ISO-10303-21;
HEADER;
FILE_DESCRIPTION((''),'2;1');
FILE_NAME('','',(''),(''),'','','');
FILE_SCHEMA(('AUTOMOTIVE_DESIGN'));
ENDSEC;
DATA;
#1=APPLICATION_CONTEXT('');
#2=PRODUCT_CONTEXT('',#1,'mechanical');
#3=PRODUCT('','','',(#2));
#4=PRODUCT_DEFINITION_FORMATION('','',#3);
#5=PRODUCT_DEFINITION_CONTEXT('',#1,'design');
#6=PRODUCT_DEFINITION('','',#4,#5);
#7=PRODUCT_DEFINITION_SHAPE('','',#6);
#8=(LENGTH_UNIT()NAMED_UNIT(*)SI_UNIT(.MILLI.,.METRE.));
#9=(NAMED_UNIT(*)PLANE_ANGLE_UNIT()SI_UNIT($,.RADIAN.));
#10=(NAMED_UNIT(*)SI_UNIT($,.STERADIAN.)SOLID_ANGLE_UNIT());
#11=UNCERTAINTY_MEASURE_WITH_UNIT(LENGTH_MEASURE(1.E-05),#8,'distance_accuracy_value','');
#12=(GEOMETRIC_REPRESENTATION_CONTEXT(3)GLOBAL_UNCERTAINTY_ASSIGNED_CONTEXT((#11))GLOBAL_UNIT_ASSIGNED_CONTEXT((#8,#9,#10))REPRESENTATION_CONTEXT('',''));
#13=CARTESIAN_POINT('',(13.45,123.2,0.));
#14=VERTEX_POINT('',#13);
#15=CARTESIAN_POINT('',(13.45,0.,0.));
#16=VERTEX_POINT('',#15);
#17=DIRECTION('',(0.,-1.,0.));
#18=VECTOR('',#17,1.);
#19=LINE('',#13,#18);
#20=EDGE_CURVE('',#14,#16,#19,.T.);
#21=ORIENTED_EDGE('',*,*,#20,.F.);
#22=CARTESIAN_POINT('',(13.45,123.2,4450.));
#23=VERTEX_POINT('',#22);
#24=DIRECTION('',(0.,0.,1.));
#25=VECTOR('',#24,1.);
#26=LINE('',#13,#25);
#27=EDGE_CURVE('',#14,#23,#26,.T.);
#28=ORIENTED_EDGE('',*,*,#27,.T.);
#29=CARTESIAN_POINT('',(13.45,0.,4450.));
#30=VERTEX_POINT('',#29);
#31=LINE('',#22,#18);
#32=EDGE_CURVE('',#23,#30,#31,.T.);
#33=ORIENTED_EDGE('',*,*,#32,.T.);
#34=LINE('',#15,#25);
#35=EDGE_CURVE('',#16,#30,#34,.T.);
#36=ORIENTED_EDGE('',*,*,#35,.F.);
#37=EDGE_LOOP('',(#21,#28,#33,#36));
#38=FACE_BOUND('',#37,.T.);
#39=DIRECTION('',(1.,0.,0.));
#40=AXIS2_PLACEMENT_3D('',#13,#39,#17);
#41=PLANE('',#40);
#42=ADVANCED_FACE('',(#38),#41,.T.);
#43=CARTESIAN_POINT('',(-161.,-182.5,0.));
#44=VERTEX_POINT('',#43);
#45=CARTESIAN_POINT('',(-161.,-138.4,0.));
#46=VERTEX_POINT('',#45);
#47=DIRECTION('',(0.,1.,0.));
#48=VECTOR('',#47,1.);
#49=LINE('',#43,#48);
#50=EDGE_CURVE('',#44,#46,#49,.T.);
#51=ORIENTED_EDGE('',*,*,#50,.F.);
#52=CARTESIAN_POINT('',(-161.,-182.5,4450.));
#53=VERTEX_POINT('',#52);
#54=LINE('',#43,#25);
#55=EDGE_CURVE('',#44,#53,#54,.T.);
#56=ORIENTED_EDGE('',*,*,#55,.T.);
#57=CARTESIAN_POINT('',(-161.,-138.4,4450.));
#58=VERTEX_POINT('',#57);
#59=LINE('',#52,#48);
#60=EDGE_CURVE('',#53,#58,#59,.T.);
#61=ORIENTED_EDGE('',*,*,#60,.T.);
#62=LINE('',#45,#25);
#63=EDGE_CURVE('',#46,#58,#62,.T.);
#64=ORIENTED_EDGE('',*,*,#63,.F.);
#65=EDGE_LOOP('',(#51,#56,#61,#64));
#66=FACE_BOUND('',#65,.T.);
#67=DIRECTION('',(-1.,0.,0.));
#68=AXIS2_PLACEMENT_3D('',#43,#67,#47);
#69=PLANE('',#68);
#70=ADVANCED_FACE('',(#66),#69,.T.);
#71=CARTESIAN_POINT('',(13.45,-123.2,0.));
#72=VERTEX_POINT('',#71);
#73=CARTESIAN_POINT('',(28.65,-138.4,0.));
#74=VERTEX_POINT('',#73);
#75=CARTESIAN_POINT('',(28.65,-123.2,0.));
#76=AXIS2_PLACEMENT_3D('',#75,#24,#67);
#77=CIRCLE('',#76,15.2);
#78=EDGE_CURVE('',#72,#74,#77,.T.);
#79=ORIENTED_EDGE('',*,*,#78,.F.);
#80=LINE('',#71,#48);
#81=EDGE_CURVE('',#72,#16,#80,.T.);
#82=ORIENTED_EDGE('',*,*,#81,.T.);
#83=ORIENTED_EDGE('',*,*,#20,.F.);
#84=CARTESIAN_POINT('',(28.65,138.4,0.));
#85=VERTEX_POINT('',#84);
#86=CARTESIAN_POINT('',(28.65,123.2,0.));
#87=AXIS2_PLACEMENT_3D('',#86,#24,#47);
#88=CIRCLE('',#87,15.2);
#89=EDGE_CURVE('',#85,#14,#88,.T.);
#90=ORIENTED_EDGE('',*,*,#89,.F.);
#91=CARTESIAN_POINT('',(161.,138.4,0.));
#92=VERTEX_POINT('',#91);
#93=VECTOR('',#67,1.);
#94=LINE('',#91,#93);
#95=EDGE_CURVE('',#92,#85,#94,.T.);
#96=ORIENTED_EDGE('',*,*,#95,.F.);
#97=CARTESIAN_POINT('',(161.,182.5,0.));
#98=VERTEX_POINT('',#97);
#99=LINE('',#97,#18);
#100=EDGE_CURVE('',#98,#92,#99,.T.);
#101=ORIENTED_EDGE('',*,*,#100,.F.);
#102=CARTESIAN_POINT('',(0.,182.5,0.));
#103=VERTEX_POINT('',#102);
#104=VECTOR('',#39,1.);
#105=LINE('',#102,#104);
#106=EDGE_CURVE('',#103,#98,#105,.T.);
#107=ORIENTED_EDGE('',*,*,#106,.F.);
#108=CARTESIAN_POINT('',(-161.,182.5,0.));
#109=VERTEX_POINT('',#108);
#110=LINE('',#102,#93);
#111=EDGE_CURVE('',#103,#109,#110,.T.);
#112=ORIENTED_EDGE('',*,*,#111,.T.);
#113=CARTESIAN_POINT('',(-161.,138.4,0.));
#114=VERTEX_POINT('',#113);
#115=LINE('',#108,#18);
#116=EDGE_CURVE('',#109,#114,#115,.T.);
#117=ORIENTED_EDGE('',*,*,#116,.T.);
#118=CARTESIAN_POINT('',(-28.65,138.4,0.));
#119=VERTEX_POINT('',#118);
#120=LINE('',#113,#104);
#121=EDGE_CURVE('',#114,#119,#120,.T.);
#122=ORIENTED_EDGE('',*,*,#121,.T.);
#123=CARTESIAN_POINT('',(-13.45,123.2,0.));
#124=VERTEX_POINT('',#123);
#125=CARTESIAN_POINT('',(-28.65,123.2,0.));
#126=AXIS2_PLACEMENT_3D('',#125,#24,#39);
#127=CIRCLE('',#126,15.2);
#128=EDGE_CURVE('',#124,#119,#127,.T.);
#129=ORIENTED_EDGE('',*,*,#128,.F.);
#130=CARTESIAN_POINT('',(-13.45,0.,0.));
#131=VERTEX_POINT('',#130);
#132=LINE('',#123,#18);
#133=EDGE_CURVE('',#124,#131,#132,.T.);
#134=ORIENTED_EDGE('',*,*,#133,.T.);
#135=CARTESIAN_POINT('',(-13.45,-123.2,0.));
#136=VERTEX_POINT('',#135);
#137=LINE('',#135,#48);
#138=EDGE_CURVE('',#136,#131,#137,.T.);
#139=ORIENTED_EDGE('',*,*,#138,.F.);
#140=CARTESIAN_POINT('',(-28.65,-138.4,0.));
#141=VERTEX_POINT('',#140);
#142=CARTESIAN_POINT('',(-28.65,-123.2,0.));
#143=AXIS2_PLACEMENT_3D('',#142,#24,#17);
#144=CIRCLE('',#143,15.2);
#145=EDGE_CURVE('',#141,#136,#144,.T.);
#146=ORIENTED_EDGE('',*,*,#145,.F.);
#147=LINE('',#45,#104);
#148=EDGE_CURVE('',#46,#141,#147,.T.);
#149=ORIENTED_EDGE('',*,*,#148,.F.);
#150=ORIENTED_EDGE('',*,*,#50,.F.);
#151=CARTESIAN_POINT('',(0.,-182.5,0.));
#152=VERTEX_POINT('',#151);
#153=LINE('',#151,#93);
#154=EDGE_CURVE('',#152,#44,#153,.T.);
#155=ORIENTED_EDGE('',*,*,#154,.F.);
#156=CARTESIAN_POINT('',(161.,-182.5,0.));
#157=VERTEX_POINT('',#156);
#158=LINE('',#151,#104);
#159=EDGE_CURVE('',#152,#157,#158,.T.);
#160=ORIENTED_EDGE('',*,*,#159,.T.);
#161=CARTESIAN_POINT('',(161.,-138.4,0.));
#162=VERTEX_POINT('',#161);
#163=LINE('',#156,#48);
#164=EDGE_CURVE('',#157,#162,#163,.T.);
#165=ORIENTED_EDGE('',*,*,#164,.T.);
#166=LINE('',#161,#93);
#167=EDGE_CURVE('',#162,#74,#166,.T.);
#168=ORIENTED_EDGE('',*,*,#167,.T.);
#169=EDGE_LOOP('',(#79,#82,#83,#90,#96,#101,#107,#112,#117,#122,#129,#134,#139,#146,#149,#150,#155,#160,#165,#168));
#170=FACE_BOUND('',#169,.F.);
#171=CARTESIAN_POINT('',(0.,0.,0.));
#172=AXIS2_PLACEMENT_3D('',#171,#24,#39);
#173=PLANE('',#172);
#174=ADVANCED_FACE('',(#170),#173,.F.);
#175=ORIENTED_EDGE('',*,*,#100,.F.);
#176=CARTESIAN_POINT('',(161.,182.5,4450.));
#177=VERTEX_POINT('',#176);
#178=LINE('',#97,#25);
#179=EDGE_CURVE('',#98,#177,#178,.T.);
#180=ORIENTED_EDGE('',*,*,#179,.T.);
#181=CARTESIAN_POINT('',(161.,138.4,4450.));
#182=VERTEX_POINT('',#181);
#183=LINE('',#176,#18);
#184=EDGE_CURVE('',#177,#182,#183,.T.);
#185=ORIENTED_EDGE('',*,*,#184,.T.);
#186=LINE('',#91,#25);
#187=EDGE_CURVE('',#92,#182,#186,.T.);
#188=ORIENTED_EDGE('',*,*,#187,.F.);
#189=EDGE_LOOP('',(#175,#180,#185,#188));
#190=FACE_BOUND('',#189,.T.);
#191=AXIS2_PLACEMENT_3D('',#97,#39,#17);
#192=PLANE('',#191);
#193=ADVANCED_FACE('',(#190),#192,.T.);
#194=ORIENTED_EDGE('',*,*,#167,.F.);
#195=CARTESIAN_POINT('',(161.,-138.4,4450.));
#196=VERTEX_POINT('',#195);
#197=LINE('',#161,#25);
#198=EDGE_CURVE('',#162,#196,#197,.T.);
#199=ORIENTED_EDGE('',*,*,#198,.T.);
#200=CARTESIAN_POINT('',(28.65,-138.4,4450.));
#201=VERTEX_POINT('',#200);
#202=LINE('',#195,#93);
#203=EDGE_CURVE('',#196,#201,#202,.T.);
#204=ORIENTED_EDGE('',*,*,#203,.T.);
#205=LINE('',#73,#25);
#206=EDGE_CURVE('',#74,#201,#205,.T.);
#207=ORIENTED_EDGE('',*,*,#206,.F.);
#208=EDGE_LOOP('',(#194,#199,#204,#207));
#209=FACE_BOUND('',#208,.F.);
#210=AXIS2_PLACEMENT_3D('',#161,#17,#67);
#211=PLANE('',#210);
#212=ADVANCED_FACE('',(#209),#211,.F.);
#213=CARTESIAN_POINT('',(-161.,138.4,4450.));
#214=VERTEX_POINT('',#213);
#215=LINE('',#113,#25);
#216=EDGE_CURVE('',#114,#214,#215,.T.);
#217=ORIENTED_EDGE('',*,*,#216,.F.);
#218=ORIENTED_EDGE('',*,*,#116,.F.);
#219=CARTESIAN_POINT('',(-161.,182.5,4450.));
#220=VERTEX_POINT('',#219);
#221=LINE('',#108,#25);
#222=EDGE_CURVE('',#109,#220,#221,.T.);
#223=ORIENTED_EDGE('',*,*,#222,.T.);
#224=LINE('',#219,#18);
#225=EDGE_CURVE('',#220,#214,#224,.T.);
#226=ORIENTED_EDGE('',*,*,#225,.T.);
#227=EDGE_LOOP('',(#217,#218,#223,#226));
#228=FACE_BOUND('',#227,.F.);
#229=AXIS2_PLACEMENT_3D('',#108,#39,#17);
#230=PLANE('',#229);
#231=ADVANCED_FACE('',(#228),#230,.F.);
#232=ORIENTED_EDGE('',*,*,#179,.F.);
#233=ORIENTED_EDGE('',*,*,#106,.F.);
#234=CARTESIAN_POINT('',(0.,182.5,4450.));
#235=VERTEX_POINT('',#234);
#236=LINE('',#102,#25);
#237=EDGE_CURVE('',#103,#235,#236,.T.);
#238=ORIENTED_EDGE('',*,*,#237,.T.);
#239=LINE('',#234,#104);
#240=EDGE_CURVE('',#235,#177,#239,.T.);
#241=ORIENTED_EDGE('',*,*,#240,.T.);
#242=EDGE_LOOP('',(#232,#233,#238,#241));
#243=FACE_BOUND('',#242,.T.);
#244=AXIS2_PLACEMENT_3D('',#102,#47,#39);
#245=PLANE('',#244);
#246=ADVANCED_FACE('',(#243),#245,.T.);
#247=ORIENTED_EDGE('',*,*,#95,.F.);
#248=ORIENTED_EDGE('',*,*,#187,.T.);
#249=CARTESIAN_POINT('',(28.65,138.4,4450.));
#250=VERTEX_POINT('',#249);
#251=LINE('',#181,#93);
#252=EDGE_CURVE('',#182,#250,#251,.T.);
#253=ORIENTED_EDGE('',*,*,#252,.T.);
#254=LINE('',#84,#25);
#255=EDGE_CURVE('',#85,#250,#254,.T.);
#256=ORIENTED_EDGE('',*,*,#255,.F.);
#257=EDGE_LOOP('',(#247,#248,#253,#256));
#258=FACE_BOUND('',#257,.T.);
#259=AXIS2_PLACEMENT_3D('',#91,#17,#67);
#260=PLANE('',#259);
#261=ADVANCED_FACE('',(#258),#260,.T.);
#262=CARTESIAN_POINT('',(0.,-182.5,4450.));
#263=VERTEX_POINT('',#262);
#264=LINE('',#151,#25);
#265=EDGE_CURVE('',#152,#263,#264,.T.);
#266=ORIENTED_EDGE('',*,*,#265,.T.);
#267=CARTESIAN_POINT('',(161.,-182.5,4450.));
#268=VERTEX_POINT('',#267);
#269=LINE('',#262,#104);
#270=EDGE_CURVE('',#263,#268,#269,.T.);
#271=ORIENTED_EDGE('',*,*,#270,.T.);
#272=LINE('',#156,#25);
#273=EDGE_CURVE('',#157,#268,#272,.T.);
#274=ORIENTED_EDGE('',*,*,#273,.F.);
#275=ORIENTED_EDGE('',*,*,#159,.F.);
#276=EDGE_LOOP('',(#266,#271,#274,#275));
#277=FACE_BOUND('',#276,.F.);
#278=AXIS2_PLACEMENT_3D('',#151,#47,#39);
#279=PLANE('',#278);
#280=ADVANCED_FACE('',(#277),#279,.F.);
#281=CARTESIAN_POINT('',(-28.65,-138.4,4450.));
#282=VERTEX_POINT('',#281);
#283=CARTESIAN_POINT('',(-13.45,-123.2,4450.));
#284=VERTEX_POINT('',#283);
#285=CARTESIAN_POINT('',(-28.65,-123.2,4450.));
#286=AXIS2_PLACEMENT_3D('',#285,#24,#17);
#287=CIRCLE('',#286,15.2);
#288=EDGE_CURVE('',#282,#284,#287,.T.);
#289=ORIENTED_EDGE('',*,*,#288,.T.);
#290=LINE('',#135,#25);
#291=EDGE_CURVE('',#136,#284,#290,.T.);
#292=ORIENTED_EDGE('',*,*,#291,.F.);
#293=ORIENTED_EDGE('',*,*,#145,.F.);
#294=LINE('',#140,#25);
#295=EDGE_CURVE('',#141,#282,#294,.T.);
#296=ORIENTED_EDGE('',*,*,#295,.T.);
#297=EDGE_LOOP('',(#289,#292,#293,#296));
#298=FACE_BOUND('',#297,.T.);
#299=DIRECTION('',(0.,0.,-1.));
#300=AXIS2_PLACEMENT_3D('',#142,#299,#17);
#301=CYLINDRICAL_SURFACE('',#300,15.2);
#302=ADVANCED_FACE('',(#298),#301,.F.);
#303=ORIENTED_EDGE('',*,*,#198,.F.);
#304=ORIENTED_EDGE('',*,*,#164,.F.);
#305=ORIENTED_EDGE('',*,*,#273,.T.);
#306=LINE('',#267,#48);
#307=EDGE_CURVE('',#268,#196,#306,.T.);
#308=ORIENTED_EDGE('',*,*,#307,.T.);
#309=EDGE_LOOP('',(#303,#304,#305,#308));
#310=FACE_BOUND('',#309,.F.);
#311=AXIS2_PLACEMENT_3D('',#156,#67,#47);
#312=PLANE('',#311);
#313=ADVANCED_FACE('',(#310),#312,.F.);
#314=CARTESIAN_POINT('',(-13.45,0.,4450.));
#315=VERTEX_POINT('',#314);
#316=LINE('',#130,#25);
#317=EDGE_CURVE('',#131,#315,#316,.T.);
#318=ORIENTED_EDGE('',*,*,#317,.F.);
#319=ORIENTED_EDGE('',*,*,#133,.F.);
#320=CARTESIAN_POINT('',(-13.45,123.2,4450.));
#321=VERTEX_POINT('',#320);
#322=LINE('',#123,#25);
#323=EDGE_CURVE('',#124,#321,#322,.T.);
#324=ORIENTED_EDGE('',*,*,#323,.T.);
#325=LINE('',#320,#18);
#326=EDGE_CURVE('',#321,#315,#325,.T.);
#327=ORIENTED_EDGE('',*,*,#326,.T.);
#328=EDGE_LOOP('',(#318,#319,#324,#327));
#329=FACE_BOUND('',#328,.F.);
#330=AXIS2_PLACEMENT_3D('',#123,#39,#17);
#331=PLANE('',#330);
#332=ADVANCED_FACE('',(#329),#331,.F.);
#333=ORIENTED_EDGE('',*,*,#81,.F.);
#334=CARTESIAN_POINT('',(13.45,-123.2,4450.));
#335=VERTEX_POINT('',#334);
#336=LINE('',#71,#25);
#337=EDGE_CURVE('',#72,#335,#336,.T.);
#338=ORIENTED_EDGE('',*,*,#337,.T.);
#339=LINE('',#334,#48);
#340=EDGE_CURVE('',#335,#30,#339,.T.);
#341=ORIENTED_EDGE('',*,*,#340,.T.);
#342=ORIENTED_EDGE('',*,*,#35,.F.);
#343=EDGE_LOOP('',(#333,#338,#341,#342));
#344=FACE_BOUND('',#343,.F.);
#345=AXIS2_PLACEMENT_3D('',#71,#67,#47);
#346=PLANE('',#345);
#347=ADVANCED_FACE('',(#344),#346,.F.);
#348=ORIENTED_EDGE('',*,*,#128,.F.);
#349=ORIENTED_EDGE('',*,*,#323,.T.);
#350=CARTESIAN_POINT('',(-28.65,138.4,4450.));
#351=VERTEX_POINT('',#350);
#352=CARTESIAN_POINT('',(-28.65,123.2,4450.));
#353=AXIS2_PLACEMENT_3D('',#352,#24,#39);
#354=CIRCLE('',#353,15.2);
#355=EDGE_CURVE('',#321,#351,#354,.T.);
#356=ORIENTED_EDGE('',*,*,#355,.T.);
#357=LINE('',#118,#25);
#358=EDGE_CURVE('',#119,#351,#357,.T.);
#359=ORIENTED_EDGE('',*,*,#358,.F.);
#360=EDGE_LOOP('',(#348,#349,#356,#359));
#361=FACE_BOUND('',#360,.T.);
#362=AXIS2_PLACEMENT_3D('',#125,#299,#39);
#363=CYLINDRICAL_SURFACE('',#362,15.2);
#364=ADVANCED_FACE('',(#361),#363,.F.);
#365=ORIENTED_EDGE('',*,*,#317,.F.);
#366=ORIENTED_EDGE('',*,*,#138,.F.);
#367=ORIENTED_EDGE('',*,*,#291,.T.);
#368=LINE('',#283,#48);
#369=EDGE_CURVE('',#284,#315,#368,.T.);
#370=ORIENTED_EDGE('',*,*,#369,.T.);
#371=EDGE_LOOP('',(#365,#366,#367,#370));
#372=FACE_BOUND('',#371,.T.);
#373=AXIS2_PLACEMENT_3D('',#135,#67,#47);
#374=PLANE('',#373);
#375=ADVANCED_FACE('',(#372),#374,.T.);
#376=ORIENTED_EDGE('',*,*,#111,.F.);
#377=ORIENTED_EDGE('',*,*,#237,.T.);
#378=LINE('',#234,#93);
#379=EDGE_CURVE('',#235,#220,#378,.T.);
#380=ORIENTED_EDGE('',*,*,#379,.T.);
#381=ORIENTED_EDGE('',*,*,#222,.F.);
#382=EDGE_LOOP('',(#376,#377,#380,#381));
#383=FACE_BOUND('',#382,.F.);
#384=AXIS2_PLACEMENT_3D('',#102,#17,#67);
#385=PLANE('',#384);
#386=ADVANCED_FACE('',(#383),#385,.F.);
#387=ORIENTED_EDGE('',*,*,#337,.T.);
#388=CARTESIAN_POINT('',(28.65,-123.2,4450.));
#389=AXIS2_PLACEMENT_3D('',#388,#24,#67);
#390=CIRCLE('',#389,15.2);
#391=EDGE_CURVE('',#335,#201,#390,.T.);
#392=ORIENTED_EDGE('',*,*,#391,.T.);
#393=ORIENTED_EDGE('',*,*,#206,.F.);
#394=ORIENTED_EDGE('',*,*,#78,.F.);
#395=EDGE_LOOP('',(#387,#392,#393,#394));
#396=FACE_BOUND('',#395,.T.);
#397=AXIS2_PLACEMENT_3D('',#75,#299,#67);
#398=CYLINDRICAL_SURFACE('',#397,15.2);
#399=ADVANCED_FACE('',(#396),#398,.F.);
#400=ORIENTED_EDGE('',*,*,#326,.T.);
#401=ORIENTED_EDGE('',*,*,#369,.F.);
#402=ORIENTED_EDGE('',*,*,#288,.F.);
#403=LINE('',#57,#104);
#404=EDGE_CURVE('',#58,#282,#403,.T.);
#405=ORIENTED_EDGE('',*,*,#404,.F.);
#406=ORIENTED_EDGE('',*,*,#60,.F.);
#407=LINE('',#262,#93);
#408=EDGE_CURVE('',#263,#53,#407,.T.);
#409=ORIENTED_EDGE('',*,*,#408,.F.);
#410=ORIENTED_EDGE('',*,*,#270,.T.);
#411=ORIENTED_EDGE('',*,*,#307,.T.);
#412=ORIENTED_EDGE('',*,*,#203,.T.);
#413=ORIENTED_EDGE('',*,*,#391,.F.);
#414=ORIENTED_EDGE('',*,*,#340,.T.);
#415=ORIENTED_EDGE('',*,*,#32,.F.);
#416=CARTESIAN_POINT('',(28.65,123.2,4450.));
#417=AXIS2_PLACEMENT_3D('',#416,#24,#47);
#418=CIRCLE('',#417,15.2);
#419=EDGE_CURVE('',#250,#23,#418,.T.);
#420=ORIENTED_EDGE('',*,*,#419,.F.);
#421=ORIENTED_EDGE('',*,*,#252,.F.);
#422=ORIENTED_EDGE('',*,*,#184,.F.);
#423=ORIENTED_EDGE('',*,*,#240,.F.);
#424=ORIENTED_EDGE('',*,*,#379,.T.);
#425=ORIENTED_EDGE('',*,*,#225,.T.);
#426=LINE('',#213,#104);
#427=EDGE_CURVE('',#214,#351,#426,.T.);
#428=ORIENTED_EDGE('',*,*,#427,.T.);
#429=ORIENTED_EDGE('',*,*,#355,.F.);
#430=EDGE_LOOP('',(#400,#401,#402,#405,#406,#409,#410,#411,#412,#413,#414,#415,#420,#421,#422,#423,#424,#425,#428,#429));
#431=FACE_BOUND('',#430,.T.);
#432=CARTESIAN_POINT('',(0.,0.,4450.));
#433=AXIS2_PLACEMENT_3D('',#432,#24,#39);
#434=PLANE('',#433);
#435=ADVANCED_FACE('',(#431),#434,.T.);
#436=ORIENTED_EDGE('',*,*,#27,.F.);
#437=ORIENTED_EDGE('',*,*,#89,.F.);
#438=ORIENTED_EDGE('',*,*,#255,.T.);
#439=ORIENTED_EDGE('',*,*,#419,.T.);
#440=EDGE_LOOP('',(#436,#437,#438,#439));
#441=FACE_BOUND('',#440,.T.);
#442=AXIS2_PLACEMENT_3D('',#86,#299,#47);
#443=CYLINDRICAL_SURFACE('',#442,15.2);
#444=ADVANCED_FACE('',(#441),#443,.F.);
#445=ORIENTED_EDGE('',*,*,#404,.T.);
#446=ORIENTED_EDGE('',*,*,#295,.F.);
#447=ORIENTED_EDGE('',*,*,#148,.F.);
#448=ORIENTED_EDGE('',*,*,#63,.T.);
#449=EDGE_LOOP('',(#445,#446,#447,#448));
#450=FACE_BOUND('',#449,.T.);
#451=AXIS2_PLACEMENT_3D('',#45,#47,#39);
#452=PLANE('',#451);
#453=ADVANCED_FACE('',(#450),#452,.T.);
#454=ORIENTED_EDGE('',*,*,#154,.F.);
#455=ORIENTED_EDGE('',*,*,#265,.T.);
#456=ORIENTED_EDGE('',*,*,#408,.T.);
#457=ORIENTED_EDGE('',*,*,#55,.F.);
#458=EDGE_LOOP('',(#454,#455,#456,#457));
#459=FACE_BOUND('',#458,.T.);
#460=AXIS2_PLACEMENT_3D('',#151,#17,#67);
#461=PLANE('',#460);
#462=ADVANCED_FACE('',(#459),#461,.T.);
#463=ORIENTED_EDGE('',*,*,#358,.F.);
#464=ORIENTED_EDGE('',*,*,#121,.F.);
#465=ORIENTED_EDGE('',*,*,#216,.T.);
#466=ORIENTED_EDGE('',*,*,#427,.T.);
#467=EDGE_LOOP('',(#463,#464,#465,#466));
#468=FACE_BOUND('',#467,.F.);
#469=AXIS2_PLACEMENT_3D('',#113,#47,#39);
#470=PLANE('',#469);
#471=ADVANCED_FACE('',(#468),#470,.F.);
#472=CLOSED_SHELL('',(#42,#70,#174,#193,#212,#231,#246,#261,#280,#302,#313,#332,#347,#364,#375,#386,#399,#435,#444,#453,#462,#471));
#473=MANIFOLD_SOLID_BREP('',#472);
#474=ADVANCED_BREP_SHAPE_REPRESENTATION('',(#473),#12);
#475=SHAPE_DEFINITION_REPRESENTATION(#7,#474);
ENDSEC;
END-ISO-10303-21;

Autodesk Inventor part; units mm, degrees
ref_plane "YZ Plane" through (0, 0, 0) normal (1, 0, 0) x (0, 1, 0)
ref_plane "Start plane" through (0, 0, 0) normal (0, 0, 1) x (1, 0, 0)
ref_plane "End plane" through (0, 0, 4450) normal (0, 0, 1) x (1, 0, 0)
sketch "Sketch" plane through (0, 0, 0) normal (0, 0, 1) x (1, 0, 0)
  line L0 (-161, -182.5) -> (-161, -138.4)
  line L1 (-161, -138.4) -> (-28.65, -138.4)
  line L2 (-13.45, -123.2) -> (-13.45, 0)
  line L3 (-13.45, 0) -> (0, 0) construction
  line L4 (0, 0) -> (0, -182.5) construction
  line L5 (0, -182.5) -> (-161, -182.5)
  line L6 (-60, 0) -> (80, 0) construction
  line L7 (0, -60) -> (0, 80) construction
  line L8 (161, -182.5) -> (161, -138.4)
  line L9 (161, -138.4) -> (28.65, -138.4)
  line L10 (13.45, -123.2) -> (13.45, 0)
  line L11 (13.45, 0) -> (0, 0) construction
  line L12 (0, -182.5) -> (161, -182.5)
  line L13 (-161, 182.5) -> (-161, 138.4)
  line L14 (-161, 138.4) -> (-28.65, 138.4)
  line L15 (-13.45, 123.2) -> (-13.45, 0)
  line L16 (0, 182.5) -> (-161, 182.5)
  line L17 (161, 182.5) -> (161, 138.4)
  line L18 (161, 138.4) -> (28.65, 138.4)
  line L19 (0, 182.5) -> (161, 182.5)
  line L20 (13.45, 123.2) -> (13.45, 0)
  arc A0 (-13.45, 123.2) -> (-28.65, 138.4) centre (-28.65, 123.2) ccw
  arc A1 (28.65, 138.4) -> (13.45, 123.2) centre (28.65, 123.2) ccw
  arc A2 (13.45, -123.2) -> (28.65, -138.4) centre (28.65, -123.2) ccw
  arc A3 (-28.65, -138.4) -> (-13.45, -123.2) centre (-28.65, -123.2) ccw
  line L21 (0, 108) -> (0, -88) construction
  line L22 (-88, 0) -> (108, 0) construction
  point P0 (-13.45, -138.4)
  point P1 (13.45, -138.4)
  point P2 (-13.45, 138.4)
  point P3 (13.45, 138.4)
  dimension "d1" = 182.5
  dimension "d2" = 44.1
  dimension "d3" = 161
  dimension "d4" = 13.45
  dimension "d10" = 15.2
extrude "Body" add sketch "Sketch" along normal up to surface (4450 mm away) from surface at 0
sketch "Sketch4" plane through (0, 0, 0) normal (0, 0, 1) x (1, 0, 0)
  line L0 (0, 0) -> (10, 0)
ref_plane "Work Plane3" through (0, 0, 0) normal (0, -1, 0) x (1, 0, 0)
sketch "Sketch5" plane through (0, 0, 0) normal (0, -1, 0) x (1, 0, 0)
  line L0 (-2, 0) -> (12, 0) projected
  line L1 (-2, 4450) -> (12, 4450) projected
  dimension "d14" = 4450
equation "\"d1\" = 0.5 * G_H"
equation "\"d2\" = G_T1"
equation "\"d3\" = 0.5 * G_W"
equation "\"d4\" = 0.5 * G_T"
equation "\"d10\" = G_IR"
equation "\"d5\" = G_L"
equation "\"G_W\" = 322"
equation "\"G_H\" = 365"
equation "\"G_T\" = 26.9"
equation "\"G_T1\" = 44.1"
equation "\"G_IR\" = 15.2"
equation "\"G_L\" = d14"
equation "\"G_OFFSET_START\" = 0"
equation "\"G_OFFSET_END\" = 0"
properties part number "AS 3679 - 310 UC - 283 - 4450" material "Steel, Mild"
